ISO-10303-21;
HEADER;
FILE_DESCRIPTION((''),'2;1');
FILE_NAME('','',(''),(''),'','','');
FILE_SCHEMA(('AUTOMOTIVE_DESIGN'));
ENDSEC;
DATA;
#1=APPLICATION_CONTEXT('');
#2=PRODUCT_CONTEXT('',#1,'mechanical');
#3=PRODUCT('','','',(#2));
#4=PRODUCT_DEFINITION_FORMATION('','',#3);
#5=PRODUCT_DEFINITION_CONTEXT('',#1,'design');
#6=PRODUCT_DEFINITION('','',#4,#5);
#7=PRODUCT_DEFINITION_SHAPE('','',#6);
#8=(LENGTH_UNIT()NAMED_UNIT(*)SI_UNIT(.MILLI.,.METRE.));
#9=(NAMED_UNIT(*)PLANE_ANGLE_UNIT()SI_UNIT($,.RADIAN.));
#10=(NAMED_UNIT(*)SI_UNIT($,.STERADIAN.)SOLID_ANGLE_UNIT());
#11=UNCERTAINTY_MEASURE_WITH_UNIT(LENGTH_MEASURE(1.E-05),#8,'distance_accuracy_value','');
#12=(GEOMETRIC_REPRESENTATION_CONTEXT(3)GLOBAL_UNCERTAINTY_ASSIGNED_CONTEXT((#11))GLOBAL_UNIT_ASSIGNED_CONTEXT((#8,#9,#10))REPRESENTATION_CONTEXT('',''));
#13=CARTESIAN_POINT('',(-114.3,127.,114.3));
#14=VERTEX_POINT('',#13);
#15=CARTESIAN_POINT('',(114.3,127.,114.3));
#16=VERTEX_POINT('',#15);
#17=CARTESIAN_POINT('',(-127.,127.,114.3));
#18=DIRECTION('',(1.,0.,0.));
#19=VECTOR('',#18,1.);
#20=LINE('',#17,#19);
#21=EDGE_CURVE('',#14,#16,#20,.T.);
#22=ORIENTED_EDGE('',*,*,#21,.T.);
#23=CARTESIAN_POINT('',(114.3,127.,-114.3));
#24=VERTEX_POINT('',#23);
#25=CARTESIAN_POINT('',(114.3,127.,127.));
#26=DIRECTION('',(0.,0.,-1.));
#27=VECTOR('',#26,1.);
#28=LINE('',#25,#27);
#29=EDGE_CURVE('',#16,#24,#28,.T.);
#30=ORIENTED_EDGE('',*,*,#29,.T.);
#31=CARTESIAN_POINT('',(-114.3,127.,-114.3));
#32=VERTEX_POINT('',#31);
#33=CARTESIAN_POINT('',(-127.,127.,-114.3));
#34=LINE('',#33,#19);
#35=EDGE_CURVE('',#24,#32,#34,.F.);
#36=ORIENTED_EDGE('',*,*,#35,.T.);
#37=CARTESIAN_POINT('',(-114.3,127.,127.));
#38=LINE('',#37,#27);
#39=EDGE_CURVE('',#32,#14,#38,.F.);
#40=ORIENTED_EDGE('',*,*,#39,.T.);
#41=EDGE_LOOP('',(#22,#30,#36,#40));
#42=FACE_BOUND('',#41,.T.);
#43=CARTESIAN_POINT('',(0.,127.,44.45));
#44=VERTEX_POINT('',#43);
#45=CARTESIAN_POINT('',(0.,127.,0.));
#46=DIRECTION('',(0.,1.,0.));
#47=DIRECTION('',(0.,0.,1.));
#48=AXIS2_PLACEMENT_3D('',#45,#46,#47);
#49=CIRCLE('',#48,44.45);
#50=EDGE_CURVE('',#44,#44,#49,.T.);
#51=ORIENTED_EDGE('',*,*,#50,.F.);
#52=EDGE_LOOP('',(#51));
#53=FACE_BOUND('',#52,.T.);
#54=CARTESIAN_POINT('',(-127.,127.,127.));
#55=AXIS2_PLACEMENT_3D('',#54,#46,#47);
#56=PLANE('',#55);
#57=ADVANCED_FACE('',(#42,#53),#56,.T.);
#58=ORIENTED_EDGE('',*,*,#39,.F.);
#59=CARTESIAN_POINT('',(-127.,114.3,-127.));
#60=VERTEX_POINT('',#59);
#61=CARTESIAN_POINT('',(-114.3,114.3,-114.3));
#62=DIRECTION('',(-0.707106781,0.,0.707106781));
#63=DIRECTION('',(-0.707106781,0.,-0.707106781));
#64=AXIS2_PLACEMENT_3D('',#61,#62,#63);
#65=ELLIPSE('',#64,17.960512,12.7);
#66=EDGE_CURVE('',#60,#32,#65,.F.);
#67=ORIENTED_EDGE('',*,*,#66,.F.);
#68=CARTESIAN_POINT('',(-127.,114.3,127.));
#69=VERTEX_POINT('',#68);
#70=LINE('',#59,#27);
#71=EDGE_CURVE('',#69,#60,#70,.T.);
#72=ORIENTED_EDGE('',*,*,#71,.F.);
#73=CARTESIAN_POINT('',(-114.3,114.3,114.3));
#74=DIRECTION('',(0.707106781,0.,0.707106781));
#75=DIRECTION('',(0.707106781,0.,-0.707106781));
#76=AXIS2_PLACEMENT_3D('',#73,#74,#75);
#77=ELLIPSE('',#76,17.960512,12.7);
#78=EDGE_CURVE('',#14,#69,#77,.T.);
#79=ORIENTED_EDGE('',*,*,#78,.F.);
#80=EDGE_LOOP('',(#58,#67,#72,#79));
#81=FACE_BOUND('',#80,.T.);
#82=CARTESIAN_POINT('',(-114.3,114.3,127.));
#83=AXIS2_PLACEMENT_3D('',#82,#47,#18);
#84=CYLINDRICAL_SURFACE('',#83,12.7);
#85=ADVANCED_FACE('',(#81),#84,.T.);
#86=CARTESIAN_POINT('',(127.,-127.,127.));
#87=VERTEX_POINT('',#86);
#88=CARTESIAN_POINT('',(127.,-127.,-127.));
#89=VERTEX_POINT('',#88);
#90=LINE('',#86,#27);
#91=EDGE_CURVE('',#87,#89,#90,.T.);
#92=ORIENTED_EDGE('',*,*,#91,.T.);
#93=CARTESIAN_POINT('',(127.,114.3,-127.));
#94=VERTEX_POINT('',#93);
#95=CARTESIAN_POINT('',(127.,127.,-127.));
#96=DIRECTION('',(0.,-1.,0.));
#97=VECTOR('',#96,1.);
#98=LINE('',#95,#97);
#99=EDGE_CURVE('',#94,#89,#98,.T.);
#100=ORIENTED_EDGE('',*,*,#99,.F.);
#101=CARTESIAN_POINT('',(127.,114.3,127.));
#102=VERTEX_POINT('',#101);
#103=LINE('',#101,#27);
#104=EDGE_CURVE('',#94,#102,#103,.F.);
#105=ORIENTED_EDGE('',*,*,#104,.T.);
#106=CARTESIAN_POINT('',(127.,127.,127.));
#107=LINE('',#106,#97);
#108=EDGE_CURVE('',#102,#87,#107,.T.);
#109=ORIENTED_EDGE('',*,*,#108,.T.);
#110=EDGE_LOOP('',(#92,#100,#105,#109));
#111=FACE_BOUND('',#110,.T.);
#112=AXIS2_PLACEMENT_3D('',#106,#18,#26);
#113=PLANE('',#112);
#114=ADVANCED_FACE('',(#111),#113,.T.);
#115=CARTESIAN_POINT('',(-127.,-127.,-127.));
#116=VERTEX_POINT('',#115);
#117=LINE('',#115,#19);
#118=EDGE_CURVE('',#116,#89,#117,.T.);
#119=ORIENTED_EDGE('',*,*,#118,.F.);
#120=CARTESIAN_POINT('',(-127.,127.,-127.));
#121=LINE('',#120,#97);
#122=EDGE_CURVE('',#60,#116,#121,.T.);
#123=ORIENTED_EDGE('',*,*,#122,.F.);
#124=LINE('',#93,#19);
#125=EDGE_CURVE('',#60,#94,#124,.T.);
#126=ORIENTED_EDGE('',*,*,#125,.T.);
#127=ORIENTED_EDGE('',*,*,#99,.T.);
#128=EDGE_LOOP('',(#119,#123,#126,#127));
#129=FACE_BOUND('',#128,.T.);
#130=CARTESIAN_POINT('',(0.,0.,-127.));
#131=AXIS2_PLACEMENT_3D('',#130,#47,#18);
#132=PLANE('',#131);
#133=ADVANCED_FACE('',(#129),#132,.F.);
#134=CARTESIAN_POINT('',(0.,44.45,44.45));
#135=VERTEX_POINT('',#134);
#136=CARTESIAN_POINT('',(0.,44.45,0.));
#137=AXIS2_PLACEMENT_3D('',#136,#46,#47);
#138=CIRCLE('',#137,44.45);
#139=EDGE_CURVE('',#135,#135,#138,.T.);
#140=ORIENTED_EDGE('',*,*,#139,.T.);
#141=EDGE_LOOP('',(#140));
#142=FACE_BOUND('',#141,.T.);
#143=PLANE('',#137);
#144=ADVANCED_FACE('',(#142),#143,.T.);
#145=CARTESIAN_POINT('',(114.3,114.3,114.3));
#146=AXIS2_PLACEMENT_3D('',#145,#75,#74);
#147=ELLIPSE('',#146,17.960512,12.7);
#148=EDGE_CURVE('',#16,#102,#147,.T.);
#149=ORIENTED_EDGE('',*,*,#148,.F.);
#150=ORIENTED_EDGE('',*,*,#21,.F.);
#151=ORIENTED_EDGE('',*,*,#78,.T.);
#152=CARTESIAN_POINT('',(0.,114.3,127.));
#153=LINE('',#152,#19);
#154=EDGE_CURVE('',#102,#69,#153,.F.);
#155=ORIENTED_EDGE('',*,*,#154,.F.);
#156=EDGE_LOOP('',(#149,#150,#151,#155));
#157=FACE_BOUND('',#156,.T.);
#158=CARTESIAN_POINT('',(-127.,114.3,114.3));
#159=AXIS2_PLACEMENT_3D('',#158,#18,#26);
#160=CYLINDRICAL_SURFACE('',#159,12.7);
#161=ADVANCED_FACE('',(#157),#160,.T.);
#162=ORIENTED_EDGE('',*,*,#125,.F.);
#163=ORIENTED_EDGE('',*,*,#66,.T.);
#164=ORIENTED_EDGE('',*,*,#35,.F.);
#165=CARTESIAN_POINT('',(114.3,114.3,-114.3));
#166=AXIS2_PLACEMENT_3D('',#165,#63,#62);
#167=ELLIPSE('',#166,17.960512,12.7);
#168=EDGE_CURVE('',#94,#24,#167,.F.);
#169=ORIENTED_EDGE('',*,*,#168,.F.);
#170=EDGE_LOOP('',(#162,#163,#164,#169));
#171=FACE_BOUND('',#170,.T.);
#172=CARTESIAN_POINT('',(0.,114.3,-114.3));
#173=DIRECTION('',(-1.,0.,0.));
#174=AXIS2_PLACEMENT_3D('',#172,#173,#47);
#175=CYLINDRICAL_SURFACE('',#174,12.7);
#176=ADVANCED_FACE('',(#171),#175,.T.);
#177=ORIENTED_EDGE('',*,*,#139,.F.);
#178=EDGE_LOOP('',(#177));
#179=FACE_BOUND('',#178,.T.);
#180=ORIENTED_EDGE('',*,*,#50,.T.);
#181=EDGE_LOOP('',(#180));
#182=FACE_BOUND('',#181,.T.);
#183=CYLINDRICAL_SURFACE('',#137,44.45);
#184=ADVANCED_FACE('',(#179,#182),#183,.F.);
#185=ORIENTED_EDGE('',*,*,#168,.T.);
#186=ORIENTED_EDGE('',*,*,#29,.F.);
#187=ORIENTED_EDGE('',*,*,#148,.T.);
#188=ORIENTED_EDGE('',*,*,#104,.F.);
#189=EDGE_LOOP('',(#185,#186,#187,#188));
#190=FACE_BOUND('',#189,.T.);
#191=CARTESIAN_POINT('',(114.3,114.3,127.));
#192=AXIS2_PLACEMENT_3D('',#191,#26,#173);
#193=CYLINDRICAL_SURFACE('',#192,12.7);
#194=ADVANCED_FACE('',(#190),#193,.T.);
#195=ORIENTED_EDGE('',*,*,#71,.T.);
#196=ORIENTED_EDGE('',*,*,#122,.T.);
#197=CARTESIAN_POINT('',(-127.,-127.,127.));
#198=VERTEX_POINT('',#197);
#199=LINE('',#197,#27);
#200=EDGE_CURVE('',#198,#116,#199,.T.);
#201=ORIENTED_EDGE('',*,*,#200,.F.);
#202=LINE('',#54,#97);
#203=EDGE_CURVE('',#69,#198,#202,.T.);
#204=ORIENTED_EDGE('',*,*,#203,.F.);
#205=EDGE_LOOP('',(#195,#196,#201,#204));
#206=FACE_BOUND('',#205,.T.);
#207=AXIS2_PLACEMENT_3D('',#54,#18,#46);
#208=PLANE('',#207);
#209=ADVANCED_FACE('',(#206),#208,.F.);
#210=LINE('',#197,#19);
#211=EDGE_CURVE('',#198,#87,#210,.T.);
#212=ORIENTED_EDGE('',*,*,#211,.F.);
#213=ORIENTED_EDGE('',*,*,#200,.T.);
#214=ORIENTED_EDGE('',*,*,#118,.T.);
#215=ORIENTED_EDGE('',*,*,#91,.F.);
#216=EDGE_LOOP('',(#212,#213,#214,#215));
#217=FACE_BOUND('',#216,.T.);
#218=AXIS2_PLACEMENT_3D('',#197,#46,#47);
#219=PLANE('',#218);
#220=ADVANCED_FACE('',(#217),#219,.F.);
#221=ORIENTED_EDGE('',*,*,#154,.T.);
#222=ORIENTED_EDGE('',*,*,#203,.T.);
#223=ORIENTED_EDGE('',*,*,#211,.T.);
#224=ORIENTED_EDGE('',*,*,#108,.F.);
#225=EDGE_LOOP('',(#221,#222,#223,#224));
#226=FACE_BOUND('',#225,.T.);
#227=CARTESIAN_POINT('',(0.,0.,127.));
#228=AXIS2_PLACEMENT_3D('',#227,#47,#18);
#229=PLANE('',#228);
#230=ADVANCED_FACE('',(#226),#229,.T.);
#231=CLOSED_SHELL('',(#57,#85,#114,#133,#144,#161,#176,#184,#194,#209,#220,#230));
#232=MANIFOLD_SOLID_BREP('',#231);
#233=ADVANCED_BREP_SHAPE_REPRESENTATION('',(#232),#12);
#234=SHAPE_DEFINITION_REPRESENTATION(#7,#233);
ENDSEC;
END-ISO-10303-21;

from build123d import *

# Parameters (mm, degrees)
SKETCH2_W           = 254
SKETCH2_H           = 254
BOSS_EXTRUDE1_DEPTH = 127
SKETCH3_R           = 44.45
CUT_EXTRUDE1_DEPTH  = 82.55
FILLET1_R           = 12.7


with BuildPart() as part:
    # Sketch2 → Boss-Extrude1 (new body, symmetric)
    with BuildSketch(Plane.XY):
        Rectangle(SKETCH2_W, SKETCH2_H)
    extrude(amount=BOSS_EXTRUDE1_DEPTH, both=True)

    # Sketch3 → Cut-Extrude1 (cut)
    with BuildSketch(Plane(origin=(0, 127, 0), x_dir=(1, 0, 0), z_dir=(0, 1, 0))):
        Circle(SKETCH3_R)
    extrude(amount=-CUT_EXTRUDE1_DEPTH, mode=Mode.SUBTRACT)

    # Fillet1
    fillet1_edges = [part.edges().sort_by_distance(p)[0] for p in [
        (0, 127, 127),
        (0, 127, -127),
        (-127, 127, 0),
        (127, 127, 0),
    ]]
    fillet(fillet1_edges, radius=FILLET1_R)


solid = part.part
